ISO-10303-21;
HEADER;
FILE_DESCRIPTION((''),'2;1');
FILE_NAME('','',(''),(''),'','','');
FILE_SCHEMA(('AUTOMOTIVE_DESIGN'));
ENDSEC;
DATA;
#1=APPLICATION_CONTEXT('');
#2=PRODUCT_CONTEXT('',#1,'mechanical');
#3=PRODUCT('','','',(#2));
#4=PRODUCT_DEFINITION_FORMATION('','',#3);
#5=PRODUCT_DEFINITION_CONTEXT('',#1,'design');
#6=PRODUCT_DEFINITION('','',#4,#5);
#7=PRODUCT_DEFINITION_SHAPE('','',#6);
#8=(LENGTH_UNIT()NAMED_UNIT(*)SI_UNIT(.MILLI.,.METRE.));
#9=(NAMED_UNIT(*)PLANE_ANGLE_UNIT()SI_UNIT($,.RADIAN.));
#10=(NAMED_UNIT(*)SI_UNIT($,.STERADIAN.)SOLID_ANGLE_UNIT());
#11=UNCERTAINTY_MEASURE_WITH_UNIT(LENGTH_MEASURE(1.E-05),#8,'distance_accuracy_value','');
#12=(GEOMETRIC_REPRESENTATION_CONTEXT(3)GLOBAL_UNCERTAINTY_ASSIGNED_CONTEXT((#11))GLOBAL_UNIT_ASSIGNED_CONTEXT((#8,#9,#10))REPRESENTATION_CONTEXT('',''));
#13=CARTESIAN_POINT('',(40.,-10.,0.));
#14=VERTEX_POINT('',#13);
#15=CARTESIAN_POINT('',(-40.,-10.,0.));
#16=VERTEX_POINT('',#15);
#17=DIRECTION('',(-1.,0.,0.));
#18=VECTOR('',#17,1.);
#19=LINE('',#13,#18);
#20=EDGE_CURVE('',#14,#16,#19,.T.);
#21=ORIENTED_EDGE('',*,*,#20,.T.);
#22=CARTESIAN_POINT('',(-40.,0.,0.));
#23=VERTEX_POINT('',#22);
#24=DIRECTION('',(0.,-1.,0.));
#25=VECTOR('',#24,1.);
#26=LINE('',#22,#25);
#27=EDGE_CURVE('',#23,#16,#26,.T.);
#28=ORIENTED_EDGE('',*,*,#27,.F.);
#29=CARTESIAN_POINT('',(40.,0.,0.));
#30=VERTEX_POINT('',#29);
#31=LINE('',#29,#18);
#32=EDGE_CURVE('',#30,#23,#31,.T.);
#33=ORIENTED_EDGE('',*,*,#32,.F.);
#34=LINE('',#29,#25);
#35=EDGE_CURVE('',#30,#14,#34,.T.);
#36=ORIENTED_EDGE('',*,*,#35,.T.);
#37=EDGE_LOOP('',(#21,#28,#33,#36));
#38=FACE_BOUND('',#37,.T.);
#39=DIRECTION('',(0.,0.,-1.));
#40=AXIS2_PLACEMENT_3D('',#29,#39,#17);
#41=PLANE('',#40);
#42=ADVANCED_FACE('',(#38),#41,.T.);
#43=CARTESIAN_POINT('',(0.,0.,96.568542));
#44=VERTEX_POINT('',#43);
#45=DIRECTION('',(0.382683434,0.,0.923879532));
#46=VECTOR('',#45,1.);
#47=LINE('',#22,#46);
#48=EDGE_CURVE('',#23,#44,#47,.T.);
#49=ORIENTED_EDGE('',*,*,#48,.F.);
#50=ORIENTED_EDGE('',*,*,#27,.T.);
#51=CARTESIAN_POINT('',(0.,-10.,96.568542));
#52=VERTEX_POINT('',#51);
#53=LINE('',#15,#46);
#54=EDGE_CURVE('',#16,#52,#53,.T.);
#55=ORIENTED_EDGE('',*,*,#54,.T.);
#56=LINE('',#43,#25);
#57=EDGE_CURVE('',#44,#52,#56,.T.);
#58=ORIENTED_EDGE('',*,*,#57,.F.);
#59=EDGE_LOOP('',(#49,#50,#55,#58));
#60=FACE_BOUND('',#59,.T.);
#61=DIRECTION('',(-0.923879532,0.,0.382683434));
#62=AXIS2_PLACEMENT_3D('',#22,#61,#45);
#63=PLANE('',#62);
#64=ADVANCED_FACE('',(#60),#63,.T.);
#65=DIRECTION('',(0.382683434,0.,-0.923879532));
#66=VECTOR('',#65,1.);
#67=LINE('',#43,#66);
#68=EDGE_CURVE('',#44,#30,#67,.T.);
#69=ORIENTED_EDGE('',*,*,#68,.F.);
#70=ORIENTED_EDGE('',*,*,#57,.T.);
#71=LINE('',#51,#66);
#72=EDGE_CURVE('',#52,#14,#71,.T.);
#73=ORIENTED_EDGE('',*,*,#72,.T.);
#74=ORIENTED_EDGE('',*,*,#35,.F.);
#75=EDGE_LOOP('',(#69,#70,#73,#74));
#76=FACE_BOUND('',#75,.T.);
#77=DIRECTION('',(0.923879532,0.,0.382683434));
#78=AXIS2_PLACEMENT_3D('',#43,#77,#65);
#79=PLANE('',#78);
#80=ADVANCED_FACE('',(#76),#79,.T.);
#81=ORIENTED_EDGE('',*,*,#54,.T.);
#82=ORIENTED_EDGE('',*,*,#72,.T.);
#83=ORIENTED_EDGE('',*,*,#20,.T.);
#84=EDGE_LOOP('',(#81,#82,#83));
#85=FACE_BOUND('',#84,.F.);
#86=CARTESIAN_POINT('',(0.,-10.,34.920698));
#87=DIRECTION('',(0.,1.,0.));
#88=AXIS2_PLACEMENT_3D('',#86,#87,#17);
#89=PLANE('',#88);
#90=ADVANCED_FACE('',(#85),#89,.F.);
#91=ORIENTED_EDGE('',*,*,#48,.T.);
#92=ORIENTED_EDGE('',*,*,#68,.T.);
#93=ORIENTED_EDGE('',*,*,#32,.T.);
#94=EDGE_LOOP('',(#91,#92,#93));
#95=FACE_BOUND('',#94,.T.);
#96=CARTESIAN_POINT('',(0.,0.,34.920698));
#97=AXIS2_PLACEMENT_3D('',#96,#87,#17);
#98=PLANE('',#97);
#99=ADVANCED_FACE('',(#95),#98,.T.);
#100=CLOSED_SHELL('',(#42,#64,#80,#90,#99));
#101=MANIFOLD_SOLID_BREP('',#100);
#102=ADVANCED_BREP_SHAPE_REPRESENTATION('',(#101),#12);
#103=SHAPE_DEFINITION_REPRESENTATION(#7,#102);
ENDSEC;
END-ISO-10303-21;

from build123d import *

# Parameters (mm, degrees)
EXTRUDE_DEPTH = 10


with BuildPart() as part:
    # Sketch → Extrude (new body)
    with BuildSketch(Plane.XZ):
        Polygon((-40, 0), (0, 96.568542), (40, 0), align=None)
    extrude(amount=EXTRUDE_DEPTH)


solid = part.part
